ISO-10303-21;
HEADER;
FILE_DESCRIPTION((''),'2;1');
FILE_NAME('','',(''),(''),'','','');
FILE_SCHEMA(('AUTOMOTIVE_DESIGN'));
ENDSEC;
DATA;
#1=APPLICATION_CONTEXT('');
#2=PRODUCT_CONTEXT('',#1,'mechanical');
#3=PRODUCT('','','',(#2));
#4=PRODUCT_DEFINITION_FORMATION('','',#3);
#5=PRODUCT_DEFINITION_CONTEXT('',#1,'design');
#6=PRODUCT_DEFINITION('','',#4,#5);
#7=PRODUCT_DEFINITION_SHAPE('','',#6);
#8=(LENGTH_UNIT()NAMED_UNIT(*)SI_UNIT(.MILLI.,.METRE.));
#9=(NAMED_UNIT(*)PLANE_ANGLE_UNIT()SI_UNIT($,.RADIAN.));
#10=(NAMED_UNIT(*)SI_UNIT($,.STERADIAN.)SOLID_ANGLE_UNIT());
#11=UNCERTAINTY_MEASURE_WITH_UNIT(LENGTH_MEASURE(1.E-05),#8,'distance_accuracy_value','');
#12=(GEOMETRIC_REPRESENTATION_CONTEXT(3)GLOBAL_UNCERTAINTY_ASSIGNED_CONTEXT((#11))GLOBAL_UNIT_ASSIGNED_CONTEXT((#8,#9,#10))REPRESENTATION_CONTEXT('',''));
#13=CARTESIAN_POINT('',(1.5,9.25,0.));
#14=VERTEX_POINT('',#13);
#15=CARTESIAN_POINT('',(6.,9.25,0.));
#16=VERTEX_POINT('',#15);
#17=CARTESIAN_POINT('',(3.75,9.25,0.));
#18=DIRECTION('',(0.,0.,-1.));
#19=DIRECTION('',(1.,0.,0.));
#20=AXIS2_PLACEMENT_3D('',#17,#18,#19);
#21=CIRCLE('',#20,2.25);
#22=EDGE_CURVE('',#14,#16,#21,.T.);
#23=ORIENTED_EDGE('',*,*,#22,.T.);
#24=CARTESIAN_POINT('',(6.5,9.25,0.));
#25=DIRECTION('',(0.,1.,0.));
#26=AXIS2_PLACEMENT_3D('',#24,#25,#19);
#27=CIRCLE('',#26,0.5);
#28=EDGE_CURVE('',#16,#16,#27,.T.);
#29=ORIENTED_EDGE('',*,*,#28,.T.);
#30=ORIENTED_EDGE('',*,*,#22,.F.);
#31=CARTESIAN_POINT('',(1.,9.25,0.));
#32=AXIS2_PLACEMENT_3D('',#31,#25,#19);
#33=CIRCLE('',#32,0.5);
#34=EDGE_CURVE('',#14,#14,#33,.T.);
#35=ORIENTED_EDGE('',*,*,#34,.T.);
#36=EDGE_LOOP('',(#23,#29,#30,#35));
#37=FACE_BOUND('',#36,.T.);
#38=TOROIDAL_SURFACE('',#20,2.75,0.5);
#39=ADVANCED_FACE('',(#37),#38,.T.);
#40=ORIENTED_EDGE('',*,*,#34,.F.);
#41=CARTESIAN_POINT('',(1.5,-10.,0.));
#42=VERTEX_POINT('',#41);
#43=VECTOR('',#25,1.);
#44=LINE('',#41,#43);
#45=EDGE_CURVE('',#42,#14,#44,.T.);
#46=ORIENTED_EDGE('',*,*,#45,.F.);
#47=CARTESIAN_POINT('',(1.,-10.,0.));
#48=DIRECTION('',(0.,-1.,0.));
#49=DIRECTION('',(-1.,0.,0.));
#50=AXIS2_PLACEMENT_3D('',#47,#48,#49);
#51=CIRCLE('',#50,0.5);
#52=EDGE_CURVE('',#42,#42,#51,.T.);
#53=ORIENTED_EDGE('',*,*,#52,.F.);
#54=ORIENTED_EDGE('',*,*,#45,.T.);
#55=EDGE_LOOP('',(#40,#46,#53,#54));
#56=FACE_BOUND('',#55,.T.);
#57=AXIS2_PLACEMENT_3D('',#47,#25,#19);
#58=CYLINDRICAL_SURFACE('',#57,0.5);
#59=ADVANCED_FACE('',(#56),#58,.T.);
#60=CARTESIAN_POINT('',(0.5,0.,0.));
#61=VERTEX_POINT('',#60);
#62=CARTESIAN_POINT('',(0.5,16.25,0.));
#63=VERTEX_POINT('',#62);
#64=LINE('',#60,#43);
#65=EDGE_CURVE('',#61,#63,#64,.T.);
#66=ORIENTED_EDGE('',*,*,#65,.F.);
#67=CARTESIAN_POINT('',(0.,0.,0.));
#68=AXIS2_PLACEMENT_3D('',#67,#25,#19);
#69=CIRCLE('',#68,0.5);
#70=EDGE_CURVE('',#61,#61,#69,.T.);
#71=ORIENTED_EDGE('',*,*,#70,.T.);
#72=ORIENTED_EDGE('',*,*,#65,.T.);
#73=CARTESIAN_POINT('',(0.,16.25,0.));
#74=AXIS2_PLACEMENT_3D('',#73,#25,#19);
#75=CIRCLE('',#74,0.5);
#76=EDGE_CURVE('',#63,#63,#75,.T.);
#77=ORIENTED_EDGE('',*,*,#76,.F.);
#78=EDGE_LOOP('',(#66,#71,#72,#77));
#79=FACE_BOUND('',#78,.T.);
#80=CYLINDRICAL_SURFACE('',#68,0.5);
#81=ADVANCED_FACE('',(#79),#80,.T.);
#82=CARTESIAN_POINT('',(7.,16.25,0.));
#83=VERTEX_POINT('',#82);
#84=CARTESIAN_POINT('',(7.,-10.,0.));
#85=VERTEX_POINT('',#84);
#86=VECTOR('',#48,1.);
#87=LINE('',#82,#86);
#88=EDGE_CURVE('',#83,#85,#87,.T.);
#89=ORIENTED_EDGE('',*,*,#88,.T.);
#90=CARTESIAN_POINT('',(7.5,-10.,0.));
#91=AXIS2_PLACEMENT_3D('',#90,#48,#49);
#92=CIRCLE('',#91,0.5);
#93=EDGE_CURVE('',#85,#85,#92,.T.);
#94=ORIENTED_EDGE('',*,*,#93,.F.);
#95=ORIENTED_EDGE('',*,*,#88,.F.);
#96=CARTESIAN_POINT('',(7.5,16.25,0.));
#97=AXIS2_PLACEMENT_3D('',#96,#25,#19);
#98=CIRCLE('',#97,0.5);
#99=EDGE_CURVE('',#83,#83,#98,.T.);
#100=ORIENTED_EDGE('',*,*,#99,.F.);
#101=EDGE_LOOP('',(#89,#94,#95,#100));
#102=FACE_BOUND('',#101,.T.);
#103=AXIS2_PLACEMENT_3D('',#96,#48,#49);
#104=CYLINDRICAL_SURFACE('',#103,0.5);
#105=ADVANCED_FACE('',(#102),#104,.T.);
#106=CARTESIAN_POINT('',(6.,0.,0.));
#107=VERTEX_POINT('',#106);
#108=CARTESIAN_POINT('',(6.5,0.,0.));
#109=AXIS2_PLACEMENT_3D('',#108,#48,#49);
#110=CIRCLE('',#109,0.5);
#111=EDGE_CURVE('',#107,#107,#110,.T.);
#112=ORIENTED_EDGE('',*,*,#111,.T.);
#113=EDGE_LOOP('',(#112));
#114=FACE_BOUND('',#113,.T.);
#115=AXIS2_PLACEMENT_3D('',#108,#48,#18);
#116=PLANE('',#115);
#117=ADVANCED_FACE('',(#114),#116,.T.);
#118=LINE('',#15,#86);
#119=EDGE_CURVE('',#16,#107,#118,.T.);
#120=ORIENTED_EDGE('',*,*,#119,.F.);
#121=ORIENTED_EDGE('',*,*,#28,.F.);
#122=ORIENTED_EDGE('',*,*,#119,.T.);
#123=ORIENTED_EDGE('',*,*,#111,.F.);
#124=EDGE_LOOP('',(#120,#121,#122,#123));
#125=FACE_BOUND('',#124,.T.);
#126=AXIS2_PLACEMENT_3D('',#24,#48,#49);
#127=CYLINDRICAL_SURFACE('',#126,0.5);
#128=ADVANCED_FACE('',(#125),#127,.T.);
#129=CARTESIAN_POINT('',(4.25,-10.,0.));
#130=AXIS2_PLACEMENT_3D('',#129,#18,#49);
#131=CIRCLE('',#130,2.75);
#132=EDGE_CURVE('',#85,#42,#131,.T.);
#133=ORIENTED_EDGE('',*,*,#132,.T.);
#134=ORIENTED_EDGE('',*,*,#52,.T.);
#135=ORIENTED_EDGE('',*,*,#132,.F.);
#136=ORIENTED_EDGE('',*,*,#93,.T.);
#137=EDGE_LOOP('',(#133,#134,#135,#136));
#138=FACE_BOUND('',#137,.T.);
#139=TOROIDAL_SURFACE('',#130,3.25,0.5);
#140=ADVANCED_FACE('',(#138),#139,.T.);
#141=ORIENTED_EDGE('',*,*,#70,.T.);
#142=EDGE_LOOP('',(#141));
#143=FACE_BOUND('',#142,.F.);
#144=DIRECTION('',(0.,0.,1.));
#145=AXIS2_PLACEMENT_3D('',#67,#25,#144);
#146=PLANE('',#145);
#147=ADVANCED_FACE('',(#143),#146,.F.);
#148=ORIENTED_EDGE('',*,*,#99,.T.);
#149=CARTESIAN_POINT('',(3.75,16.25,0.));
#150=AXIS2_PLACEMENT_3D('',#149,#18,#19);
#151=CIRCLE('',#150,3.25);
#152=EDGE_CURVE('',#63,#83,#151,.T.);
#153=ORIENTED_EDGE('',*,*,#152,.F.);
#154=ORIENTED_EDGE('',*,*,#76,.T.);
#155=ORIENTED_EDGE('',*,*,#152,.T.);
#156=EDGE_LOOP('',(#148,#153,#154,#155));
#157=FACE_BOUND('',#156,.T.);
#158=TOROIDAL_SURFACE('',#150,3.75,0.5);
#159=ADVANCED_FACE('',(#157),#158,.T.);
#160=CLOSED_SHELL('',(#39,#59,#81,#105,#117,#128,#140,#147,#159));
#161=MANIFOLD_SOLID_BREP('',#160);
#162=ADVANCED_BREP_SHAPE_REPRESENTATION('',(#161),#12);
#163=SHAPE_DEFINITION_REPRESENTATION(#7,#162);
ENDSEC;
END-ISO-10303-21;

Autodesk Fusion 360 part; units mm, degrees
sketch "Sketch1" plane through (0, 0, 0) normal (0, 0, 1) x (1, 0, 0)
  line L0 (0, 0) -> (0, 16.25)
  line L1 (0, 16.25) -> (7.5, 16.25) construction
  line L2 (7.5, 16.25) -> (7.5, -10)
  line L3 (7.5, -10) -> (1, -10) construction
  line L4 (1, -10) -> (1, 9.25)
  line L5 (1, 9.25) -> (6.5, 9.25) construction
  line L6 (6.5, 9.25) -> (6.5, 0)
  arc A0 (7.5, 16.25) -> (0, 16.25) centre (3.75, 16.25) ccw
  arc A1 (1, -10) -> (7.5, -10) centre (4.25, -10) ccw
  arc A2 (6.5, 9.25) -> (1, 9.25) centre (3.75, 9.25) ccw
  dimension "d2" = 16.25
  dimension "d3" = 7.5
  dimension "d4" = 26.25
  dimension "d5" = 6.5
  dimension "d6" = 19.25
  dimension "d7" = 5.5
  dimension "d8" = 9.25
sketch "Sketch2" plane through (0, 0, 0) normal (0, 1, 0) x (1, 0, 0)
  circle A0 centre (0, 0) radius 0.5
  dimension "d9" = 1
sweep "Sweep1" add profiles "Sketch2" path "Sketch1" along L0 A0 L2 A1 L4 A2 L6 section 1
